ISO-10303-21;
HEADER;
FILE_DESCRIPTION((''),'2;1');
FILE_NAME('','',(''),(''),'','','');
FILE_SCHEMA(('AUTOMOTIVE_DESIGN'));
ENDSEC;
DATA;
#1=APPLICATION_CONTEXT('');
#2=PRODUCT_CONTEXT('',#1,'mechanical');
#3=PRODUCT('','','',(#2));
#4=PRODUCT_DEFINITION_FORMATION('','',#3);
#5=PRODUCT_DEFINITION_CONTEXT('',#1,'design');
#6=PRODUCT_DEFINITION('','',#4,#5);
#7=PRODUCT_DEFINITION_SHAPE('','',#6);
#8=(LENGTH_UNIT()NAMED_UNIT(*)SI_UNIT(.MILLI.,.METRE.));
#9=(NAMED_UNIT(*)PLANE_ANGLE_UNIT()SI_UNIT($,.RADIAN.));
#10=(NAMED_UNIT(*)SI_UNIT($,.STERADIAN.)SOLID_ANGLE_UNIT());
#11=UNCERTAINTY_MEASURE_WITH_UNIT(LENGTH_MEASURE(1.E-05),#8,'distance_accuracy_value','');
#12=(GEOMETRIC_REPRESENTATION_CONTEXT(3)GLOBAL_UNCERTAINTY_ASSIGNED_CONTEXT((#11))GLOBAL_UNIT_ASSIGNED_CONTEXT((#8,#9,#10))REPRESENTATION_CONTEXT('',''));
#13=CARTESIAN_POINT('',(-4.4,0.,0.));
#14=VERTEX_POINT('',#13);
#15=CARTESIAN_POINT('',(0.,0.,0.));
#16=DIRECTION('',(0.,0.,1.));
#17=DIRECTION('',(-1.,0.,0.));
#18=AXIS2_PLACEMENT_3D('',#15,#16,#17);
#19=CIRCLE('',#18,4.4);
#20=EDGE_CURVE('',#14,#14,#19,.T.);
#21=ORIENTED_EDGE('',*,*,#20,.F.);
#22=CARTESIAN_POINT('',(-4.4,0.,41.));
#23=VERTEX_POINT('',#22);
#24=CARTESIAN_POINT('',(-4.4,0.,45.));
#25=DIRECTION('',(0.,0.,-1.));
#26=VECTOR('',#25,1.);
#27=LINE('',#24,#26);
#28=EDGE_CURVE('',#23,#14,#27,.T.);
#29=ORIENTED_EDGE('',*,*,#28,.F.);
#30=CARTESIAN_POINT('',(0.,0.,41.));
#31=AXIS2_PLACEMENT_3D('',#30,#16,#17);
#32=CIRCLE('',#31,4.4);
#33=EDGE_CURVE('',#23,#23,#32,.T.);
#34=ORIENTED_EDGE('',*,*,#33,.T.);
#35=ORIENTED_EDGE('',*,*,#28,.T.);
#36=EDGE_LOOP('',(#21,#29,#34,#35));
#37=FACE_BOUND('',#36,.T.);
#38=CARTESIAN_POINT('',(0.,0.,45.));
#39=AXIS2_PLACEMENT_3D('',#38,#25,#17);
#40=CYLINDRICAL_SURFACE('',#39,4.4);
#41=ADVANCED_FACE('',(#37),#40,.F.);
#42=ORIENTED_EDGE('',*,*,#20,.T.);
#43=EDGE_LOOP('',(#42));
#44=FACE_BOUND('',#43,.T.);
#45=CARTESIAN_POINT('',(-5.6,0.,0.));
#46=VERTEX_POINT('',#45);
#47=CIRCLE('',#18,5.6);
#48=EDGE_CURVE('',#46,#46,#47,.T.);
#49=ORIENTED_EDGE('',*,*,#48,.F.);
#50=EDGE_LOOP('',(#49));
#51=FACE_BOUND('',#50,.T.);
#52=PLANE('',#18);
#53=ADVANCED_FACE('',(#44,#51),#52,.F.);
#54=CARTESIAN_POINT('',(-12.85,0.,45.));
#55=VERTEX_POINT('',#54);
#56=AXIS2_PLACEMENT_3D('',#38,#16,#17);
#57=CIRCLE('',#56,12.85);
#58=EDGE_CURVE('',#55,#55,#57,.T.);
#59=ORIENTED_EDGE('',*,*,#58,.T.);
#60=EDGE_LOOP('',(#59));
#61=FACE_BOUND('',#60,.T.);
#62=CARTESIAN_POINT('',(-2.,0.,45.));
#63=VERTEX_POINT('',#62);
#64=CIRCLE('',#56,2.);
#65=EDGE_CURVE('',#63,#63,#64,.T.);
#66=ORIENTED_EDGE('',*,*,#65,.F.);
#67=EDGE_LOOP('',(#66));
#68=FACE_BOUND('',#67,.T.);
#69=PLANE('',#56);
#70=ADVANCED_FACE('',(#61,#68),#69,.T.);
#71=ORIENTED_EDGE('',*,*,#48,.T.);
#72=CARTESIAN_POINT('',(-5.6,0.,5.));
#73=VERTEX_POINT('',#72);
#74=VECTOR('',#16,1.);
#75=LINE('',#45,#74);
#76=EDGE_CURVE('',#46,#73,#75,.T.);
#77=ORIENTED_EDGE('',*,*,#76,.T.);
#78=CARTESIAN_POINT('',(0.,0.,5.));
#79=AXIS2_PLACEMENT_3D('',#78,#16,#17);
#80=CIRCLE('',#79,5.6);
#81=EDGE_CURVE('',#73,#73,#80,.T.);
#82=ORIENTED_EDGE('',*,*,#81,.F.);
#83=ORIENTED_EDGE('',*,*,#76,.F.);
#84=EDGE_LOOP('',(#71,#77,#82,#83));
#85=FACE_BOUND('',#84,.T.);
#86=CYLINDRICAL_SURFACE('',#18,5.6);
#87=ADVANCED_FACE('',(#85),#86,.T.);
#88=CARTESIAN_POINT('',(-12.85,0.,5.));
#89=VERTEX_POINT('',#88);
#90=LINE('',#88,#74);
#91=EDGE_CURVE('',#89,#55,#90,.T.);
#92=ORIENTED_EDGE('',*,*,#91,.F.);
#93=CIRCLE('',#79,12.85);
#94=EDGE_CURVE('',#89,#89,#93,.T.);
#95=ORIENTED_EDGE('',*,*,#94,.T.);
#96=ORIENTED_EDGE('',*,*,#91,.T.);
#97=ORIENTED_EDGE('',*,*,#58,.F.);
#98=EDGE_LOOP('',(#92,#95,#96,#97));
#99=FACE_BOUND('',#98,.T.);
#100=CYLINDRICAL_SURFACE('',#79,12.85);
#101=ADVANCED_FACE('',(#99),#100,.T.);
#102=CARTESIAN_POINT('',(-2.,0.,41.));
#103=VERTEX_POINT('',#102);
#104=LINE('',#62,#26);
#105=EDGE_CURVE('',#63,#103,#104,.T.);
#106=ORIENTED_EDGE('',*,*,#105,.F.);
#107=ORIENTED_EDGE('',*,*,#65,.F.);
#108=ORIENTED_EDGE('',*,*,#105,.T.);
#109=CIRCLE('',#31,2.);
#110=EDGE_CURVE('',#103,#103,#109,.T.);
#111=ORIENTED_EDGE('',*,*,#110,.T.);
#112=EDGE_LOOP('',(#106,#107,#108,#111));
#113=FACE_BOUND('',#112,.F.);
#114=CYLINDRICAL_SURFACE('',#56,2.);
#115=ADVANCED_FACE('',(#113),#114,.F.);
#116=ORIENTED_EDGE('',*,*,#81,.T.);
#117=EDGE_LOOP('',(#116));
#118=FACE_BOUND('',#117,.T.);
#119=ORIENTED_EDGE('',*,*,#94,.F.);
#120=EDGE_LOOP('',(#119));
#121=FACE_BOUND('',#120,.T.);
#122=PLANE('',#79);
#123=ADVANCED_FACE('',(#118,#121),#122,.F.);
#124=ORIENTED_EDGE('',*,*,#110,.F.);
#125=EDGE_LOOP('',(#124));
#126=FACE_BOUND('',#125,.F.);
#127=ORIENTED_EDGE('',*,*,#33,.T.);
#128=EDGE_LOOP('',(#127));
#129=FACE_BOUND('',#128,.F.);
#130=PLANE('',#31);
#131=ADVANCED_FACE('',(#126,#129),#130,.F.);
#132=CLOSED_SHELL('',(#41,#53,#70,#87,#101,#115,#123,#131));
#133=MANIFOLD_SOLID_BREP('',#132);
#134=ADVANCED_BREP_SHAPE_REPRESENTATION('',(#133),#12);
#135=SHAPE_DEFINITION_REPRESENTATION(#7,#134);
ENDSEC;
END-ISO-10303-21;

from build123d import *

# Parameters (mm, degrees)
SKETCH001_R   = 4.4
SKETCH001_R_2 = 2
PAD_DEPTH     = 4


with BuildPart() as part:
    # Sketch → Revolution (revolve)
    with BuildSketch(Plane.XZ):
        Polygon((-4.4, 0), (-5.6, 0), (-5.6, 5), (-12.85, 5), (-12.85, 45), (-4.4, 45), align=None)
    revolve(axis=Axis((0, 0, 0), (0, 0, 1)))

    # Sketch001 (on Face5 of Revolution) → Pad (new body)
    with BuildSketch(Plane(origin=(0, 0, 45), x_dir=(-1, 0, 0), z_dir=(0, 0, 1))):
        Circle(SKETCH001_R)
        Circle(SKETCH001_R_2, mode=Mode.SUBTRACT)
    extrude(amount=-PAD_DEPTH)


solid = part.part
